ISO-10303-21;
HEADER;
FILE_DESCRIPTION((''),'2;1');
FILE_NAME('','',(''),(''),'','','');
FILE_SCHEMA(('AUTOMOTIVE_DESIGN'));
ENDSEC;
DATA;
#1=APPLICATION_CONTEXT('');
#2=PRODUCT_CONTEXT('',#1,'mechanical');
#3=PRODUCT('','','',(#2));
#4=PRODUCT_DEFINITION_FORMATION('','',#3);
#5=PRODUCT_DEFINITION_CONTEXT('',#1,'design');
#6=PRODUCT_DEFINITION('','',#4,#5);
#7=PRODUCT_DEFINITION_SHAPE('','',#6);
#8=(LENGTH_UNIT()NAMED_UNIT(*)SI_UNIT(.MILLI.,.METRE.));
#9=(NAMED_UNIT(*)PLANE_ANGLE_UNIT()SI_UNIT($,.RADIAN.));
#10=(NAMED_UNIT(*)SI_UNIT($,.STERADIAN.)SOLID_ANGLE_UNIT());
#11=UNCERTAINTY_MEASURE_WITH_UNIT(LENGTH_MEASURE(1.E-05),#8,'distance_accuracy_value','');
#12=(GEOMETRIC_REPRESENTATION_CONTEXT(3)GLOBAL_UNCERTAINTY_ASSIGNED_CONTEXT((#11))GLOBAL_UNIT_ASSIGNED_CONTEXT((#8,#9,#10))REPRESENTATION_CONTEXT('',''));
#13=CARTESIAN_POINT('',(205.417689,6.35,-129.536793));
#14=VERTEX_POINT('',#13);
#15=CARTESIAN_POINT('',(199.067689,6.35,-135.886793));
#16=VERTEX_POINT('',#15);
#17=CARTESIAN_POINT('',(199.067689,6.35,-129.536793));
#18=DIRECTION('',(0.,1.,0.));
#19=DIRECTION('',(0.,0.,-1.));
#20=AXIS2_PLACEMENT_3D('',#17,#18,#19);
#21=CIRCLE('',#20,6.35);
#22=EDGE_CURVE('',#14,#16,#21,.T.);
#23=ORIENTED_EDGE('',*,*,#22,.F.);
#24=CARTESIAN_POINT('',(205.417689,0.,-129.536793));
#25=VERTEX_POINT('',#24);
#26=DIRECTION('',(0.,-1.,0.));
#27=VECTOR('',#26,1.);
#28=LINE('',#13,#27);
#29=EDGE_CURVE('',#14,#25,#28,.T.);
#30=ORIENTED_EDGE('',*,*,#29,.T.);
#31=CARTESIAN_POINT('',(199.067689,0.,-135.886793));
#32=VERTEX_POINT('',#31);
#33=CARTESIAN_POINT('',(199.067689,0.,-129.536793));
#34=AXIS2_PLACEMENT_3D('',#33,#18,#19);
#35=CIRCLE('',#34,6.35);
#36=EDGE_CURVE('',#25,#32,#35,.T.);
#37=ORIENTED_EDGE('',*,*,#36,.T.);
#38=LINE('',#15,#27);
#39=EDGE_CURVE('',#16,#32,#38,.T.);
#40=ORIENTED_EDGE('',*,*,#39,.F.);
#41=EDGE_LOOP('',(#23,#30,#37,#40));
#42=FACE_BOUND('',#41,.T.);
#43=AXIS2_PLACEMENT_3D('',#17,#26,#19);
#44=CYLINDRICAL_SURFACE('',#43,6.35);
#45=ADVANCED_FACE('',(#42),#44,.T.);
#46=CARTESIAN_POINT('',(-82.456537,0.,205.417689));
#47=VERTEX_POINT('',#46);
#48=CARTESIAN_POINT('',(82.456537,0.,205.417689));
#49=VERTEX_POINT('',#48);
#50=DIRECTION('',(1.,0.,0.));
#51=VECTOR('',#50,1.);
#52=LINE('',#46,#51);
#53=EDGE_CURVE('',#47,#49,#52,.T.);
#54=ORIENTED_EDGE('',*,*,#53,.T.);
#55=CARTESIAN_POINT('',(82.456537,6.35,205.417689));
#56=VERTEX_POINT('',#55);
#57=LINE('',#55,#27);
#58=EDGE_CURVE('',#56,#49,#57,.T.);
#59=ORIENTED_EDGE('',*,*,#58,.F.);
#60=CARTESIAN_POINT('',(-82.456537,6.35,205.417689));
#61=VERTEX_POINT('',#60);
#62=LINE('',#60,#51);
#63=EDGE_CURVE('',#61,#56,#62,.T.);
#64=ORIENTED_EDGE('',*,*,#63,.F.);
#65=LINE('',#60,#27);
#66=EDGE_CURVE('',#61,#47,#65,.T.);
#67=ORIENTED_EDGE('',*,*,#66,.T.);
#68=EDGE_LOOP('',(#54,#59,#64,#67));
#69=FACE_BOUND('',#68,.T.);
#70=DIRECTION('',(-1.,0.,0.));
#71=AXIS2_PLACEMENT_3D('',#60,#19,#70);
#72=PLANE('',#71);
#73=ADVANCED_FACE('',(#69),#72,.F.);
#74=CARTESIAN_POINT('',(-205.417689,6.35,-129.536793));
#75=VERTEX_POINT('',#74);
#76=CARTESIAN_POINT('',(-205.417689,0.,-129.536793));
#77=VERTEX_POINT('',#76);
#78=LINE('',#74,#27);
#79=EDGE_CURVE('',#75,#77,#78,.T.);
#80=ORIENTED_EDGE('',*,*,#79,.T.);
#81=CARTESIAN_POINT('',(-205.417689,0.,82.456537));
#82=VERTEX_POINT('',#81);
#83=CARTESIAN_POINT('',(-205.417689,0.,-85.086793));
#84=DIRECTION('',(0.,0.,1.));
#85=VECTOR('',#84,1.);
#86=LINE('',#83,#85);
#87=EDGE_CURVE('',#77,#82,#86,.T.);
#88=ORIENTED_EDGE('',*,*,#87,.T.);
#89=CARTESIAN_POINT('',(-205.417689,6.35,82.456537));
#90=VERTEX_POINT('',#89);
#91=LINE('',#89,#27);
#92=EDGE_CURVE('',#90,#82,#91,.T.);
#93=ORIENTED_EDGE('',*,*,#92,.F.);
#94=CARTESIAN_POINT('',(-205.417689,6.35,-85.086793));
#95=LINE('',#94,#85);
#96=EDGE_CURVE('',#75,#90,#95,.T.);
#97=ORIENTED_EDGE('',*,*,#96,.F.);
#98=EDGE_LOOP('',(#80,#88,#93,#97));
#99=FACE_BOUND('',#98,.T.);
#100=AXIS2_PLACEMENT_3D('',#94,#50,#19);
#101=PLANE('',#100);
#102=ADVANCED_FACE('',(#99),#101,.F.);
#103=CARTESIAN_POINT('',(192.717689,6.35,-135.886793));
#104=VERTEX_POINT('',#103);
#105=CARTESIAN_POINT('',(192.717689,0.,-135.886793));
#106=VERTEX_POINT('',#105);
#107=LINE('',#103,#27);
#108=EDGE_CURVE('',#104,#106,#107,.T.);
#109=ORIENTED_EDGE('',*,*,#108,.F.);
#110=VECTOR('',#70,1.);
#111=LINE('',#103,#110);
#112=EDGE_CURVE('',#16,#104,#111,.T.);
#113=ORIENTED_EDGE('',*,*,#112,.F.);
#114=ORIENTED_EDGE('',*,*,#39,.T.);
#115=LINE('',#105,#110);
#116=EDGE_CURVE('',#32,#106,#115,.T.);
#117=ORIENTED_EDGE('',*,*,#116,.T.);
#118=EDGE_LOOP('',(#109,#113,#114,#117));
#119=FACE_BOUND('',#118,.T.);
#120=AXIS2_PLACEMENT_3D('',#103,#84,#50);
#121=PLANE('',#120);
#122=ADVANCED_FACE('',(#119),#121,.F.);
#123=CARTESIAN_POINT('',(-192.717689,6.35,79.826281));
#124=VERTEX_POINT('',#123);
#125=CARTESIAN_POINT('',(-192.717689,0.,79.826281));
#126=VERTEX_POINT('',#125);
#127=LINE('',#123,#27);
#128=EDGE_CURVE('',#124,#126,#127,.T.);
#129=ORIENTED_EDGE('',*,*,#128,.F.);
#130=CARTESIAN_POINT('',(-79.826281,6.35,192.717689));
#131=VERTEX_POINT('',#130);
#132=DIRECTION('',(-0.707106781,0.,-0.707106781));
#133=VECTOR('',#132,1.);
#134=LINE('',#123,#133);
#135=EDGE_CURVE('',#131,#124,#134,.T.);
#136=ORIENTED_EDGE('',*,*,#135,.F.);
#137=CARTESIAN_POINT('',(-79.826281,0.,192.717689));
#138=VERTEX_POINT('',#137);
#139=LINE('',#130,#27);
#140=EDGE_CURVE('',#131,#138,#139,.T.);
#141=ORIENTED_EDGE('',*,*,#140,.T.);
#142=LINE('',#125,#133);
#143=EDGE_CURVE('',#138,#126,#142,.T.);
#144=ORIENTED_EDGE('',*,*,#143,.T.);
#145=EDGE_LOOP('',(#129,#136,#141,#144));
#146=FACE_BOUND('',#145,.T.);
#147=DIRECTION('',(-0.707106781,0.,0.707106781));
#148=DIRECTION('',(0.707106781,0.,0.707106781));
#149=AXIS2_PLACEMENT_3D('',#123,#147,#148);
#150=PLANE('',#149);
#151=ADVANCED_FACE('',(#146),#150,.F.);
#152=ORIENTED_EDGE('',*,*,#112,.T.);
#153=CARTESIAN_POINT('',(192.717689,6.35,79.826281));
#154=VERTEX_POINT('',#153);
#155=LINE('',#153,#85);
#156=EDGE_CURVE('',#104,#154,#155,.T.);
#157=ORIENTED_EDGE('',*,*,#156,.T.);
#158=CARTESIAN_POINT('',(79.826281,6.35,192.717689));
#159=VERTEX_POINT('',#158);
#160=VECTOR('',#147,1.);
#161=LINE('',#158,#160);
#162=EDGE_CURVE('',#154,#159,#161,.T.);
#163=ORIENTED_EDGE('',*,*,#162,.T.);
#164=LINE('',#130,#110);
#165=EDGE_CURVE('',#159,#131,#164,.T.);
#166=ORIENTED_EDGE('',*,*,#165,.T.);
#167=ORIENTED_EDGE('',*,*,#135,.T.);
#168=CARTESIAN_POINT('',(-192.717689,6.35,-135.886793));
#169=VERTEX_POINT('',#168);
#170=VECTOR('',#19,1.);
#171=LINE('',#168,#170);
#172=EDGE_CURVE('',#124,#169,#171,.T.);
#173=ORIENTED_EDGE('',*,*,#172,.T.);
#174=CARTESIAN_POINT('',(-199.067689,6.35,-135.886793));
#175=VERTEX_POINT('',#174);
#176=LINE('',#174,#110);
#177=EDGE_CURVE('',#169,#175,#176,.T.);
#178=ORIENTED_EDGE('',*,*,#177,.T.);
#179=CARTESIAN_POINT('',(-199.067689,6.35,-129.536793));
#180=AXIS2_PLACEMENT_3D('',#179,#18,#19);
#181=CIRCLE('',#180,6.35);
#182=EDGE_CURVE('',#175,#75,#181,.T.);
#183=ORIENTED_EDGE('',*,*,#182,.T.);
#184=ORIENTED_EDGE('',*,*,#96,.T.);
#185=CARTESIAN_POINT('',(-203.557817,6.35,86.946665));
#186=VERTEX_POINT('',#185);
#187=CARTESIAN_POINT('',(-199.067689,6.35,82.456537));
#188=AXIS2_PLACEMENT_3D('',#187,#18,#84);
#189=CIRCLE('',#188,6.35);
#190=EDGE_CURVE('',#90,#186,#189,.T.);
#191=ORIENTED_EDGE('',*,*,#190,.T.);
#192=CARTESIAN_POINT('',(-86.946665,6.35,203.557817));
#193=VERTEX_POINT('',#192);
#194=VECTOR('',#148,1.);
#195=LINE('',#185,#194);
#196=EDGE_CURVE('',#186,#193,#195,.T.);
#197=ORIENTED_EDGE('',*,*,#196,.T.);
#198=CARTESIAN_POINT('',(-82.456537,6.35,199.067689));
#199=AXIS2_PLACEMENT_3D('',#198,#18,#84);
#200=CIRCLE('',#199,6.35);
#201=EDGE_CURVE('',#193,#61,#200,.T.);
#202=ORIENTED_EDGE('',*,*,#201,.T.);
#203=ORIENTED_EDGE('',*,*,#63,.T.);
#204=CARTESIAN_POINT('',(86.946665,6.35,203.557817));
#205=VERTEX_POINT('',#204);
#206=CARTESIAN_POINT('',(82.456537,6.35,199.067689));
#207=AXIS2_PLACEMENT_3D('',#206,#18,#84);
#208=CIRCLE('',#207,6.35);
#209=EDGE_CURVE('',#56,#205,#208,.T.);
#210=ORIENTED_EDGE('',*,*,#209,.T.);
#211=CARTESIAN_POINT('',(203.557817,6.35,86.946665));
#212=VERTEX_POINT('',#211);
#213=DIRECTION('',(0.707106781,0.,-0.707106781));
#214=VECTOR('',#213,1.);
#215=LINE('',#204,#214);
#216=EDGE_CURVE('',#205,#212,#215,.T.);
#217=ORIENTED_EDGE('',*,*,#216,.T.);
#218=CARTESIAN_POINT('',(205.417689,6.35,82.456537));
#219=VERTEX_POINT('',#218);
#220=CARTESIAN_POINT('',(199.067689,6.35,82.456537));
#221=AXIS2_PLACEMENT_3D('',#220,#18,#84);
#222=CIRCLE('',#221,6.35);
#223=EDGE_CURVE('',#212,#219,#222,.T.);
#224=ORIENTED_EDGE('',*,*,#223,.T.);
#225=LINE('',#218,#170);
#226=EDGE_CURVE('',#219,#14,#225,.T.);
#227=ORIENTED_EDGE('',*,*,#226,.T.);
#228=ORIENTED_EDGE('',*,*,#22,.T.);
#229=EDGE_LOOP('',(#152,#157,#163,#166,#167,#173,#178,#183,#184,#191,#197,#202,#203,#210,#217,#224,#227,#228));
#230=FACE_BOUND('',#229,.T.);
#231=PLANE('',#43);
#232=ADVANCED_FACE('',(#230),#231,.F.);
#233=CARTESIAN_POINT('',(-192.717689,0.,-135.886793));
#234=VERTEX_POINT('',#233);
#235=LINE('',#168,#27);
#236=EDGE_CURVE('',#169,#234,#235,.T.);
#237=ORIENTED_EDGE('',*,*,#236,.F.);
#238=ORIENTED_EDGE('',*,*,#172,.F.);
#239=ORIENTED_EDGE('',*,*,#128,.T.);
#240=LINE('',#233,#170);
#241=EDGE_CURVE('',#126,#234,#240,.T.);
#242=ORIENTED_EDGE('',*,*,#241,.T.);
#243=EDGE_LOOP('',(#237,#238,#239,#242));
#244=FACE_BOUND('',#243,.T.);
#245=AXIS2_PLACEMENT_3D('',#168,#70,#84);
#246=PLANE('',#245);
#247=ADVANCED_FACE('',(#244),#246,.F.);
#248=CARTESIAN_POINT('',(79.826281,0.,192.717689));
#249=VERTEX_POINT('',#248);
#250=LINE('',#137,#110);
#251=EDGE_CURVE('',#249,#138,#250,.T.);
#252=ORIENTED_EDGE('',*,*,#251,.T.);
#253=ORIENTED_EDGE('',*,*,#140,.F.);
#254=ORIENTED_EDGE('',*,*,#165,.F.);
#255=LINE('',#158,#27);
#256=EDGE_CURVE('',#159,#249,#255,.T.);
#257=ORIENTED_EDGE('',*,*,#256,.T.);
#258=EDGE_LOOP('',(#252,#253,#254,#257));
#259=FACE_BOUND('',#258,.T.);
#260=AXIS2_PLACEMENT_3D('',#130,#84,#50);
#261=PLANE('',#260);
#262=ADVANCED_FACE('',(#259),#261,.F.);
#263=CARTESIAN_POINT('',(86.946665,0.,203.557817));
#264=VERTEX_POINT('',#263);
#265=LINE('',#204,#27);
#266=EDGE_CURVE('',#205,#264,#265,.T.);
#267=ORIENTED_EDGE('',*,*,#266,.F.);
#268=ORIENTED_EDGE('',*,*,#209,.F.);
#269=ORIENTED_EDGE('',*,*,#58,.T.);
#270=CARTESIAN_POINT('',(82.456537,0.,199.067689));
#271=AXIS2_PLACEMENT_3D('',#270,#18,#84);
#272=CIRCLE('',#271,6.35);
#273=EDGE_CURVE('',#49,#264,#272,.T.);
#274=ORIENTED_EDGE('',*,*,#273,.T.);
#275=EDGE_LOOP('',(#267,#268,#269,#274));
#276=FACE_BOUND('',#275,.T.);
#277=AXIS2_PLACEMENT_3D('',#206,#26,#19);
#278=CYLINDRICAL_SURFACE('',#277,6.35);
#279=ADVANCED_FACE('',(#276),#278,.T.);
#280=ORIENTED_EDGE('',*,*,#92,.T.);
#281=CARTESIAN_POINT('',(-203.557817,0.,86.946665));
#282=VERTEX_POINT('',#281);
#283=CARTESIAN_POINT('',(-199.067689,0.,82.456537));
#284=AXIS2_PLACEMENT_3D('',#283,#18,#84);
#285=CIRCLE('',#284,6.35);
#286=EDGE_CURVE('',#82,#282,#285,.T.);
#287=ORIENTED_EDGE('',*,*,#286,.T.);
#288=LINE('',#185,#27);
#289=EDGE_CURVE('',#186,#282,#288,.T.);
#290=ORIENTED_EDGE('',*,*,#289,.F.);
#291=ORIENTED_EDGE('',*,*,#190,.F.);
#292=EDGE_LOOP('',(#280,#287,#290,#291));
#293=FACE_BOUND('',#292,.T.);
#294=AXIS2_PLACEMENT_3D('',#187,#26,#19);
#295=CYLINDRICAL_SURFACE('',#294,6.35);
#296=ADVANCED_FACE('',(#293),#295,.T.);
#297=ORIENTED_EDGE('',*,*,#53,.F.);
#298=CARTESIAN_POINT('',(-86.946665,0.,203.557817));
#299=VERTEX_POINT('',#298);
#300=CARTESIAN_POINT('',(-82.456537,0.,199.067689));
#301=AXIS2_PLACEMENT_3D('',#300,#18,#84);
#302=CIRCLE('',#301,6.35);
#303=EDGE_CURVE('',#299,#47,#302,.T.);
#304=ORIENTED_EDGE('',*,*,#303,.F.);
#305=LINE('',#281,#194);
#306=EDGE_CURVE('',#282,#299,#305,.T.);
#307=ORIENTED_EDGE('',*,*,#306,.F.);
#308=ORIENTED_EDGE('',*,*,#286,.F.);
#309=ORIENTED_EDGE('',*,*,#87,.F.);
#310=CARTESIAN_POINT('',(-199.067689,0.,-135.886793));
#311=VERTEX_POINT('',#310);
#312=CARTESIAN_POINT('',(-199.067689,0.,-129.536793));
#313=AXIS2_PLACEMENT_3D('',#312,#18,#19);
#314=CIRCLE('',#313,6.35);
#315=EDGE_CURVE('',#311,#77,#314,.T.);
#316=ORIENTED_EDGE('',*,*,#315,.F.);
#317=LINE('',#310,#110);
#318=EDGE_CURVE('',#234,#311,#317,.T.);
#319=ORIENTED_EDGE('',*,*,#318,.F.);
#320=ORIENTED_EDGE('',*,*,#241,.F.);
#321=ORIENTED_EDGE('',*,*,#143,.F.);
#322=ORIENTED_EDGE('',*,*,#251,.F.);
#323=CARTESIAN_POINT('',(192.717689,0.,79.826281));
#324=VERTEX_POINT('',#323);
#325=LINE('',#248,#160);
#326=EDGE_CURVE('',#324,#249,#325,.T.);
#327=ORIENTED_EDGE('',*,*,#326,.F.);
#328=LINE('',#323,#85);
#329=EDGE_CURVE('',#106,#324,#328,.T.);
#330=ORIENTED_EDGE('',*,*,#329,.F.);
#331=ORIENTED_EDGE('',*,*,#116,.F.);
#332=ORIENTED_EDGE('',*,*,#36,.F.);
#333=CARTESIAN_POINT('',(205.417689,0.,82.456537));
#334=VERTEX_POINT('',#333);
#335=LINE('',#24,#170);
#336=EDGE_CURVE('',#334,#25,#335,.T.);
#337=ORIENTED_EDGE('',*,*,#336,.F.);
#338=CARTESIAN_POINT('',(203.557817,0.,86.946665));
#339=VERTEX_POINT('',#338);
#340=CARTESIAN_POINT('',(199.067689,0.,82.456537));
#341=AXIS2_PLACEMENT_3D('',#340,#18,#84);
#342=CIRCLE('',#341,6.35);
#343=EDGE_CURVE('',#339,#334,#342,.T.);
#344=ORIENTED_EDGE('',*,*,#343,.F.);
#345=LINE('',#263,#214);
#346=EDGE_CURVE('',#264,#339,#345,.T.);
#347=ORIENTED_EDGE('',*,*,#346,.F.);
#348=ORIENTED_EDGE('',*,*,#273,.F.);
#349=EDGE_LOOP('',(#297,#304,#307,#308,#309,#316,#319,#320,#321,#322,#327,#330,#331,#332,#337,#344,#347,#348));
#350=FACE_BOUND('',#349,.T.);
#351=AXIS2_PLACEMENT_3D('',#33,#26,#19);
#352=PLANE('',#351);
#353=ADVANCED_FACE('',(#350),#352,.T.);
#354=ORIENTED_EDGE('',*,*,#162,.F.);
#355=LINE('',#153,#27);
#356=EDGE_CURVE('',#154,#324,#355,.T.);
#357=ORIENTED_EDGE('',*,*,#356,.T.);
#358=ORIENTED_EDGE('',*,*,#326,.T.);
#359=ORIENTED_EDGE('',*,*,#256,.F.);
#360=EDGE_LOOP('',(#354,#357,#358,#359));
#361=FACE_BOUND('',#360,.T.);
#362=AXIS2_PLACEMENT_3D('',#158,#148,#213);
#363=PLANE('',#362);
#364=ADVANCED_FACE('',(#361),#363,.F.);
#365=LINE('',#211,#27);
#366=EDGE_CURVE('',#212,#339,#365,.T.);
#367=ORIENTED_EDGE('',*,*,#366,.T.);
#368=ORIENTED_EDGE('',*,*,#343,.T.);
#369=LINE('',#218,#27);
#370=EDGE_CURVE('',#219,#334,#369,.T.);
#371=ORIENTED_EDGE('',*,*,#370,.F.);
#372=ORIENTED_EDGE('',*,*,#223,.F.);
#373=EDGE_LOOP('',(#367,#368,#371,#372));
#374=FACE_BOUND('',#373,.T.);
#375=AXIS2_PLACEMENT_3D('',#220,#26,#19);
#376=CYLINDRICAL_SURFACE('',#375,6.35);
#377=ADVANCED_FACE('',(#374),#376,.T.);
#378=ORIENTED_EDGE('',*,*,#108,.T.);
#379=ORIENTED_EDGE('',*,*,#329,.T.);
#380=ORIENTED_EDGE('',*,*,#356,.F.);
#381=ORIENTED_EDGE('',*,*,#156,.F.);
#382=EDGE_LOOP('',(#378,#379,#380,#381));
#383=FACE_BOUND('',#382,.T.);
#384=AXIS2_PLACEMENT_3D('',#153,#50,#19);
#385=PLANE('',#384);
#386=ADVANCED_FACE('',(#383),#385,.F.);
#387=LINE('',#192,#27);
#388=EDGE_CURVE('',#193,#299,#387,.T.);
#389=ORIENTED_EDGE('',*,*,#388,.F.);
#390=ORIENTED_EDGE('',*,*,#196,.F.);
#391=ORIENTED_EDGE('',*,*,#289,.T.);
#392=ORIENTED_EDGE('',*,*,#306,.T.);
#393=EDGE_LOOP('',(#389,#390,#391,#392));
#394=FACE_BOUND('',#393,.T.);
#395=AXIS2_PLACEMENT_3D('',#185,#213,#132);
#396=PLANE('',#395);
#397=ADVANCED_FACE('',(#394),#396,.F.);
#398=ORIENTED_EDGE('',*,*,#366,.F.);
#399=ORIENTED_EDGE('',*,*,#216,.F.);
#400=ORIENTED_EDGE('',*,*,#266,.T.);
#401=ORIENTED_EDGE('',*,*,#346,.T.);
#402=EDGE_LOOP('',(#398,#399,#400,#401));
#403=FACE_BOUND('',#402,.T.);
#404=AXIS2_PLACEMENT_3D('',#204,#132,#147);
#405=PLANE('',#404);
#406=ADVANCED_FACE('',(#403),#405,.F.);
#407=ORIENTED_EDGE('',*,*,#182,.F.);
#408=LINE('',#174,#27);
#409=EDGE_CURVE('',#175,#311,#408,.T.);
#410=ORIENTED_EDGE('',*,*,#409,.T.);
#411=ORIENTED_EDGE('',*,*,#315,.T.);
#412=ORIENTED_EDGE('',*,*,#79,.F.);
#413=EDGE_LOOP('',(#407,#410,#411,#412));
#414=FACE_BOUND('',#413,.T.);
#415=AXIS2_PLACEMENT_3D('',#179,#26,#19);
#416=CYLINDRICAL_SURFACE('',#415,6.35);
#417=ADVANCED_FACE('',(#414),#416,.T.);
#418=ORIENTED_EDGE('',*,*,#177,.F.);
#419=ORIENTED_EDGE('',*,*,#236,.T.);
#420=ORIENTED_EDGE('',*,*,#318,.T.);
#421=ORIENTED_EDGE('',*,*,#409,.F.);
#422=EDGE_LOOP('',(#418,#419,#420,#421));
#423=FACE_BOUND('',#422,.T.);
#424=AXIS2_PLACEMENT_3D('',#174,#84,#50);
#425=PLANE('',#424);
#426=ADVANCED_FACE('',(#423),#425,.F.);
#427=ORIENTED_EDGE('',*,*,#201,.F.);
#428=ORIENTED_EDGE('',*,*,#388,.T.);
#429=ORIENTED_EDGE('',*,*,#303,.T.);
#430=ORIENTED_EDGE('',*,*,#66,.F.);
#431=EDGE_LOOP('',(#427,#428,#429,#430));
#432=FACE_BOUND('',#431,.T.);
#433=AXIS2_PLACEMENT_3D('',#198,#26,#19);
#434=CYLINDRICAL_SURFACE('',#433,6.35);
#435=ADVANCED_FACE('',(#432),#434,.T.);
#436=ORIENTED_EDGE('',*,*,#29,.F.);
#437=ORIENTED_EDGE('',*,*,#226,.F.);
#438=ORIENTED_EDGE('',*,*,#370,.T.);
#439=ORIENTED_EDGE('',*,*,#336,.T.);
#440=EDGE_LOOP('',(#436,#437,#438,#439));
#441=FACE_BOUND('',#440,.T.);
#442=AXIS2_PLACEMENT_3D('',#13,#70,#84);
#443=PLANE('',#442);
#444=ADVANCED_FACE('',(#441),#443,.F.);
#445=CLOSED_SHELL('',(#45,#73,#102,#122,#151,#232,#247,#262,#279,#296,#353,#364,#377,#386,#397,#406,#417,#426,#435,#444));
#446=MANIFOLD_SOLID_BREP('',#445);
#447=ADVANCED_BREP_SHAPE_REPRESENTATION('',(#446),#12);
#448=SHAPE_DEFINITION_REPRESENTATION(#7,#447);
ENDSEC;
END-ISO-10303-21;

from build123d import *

# Parameters (mm, degrees)
BOSS_EXTRUDE1_DEPTH = 6.35


with BuildPart() as part:
    # Sketch1 → Boss-Extrude1 (new body)
    with BuildSketch(Plane(origin=(0, 0, 0), x_dir=(1, 0, 0), z_dir=(0, 1, 0))):
        with BuildLine():
            Line((-192.717689271, 135.886792847), (-192.717689271, -79.826280605))
            Line((-192.717689271, -79.826280605), (-79.826280605, -192.717689271))
            Line((-79.826280605, -192.717689271), (79.826280605, -192.717689271))
            Line((79.826280605, -192.717689271), (192.717689271, -79.826280605))
            Line((192.717689271, -79.826280605), (192.717689271, 135.886792847))
            Line((192.717689271, 135.886792847), (199.067689271, 135.886792847))
            ThreePointArc((199.067689271, 135.886792847), (203.557817332, 134.026920908), (205.417689271, 129.536792847))
            Line((205.417689271, 129.536792847), (205.417689271, 85.086792847))
            Line((205.417689271, 85.086792847), (205.417689271, -82.456536726))
            ThreePointArc((205.417689271, -82.456536726), (204.934324303, -84.886576522), (203.557817332, -86.946664787))
            Line((203.557817332, -86.946664787), (86.946664787, -203.557817332))
            ThreePointArc((86.946664787, -203.557817332), (84.886576522, -204.934324303), (82.456536726, -205.417689271))
            Line((82.456536726, -205.417689271), (-82.456536726, -205.417689271))
            ThreePointArc((-82.456536726, -205.417689271), (-84.886576522, -204.934324303), (-86.946664787, -203.557817332))
            Line((-86.946664787, -203.557817332), (-203.557817332, -86.946664787))
            ThreePointArc((-203.557817332, -86.946664787), (-204.934324303, -84.886576522), (-205.417689271, -82.456536726))
            Line((-205.417689271, -82.456536726), (-205.417689271, 85.086792847))
            Line((-205.417689271, 85.086792847), (-205.417689271, 129.536792847))
            ThreePointArc((-205.417689271, 129.536792847), (-203.557817332, 134.026920908), (-199.067689271, 135.886792847))
            Line((-199.067689271, 135.886792847), (-192.717689271, 135.886792847))
        make_face()
    extrude(amount=BOSS_EXTRUDE1_DEPTH)


solid = part.part
